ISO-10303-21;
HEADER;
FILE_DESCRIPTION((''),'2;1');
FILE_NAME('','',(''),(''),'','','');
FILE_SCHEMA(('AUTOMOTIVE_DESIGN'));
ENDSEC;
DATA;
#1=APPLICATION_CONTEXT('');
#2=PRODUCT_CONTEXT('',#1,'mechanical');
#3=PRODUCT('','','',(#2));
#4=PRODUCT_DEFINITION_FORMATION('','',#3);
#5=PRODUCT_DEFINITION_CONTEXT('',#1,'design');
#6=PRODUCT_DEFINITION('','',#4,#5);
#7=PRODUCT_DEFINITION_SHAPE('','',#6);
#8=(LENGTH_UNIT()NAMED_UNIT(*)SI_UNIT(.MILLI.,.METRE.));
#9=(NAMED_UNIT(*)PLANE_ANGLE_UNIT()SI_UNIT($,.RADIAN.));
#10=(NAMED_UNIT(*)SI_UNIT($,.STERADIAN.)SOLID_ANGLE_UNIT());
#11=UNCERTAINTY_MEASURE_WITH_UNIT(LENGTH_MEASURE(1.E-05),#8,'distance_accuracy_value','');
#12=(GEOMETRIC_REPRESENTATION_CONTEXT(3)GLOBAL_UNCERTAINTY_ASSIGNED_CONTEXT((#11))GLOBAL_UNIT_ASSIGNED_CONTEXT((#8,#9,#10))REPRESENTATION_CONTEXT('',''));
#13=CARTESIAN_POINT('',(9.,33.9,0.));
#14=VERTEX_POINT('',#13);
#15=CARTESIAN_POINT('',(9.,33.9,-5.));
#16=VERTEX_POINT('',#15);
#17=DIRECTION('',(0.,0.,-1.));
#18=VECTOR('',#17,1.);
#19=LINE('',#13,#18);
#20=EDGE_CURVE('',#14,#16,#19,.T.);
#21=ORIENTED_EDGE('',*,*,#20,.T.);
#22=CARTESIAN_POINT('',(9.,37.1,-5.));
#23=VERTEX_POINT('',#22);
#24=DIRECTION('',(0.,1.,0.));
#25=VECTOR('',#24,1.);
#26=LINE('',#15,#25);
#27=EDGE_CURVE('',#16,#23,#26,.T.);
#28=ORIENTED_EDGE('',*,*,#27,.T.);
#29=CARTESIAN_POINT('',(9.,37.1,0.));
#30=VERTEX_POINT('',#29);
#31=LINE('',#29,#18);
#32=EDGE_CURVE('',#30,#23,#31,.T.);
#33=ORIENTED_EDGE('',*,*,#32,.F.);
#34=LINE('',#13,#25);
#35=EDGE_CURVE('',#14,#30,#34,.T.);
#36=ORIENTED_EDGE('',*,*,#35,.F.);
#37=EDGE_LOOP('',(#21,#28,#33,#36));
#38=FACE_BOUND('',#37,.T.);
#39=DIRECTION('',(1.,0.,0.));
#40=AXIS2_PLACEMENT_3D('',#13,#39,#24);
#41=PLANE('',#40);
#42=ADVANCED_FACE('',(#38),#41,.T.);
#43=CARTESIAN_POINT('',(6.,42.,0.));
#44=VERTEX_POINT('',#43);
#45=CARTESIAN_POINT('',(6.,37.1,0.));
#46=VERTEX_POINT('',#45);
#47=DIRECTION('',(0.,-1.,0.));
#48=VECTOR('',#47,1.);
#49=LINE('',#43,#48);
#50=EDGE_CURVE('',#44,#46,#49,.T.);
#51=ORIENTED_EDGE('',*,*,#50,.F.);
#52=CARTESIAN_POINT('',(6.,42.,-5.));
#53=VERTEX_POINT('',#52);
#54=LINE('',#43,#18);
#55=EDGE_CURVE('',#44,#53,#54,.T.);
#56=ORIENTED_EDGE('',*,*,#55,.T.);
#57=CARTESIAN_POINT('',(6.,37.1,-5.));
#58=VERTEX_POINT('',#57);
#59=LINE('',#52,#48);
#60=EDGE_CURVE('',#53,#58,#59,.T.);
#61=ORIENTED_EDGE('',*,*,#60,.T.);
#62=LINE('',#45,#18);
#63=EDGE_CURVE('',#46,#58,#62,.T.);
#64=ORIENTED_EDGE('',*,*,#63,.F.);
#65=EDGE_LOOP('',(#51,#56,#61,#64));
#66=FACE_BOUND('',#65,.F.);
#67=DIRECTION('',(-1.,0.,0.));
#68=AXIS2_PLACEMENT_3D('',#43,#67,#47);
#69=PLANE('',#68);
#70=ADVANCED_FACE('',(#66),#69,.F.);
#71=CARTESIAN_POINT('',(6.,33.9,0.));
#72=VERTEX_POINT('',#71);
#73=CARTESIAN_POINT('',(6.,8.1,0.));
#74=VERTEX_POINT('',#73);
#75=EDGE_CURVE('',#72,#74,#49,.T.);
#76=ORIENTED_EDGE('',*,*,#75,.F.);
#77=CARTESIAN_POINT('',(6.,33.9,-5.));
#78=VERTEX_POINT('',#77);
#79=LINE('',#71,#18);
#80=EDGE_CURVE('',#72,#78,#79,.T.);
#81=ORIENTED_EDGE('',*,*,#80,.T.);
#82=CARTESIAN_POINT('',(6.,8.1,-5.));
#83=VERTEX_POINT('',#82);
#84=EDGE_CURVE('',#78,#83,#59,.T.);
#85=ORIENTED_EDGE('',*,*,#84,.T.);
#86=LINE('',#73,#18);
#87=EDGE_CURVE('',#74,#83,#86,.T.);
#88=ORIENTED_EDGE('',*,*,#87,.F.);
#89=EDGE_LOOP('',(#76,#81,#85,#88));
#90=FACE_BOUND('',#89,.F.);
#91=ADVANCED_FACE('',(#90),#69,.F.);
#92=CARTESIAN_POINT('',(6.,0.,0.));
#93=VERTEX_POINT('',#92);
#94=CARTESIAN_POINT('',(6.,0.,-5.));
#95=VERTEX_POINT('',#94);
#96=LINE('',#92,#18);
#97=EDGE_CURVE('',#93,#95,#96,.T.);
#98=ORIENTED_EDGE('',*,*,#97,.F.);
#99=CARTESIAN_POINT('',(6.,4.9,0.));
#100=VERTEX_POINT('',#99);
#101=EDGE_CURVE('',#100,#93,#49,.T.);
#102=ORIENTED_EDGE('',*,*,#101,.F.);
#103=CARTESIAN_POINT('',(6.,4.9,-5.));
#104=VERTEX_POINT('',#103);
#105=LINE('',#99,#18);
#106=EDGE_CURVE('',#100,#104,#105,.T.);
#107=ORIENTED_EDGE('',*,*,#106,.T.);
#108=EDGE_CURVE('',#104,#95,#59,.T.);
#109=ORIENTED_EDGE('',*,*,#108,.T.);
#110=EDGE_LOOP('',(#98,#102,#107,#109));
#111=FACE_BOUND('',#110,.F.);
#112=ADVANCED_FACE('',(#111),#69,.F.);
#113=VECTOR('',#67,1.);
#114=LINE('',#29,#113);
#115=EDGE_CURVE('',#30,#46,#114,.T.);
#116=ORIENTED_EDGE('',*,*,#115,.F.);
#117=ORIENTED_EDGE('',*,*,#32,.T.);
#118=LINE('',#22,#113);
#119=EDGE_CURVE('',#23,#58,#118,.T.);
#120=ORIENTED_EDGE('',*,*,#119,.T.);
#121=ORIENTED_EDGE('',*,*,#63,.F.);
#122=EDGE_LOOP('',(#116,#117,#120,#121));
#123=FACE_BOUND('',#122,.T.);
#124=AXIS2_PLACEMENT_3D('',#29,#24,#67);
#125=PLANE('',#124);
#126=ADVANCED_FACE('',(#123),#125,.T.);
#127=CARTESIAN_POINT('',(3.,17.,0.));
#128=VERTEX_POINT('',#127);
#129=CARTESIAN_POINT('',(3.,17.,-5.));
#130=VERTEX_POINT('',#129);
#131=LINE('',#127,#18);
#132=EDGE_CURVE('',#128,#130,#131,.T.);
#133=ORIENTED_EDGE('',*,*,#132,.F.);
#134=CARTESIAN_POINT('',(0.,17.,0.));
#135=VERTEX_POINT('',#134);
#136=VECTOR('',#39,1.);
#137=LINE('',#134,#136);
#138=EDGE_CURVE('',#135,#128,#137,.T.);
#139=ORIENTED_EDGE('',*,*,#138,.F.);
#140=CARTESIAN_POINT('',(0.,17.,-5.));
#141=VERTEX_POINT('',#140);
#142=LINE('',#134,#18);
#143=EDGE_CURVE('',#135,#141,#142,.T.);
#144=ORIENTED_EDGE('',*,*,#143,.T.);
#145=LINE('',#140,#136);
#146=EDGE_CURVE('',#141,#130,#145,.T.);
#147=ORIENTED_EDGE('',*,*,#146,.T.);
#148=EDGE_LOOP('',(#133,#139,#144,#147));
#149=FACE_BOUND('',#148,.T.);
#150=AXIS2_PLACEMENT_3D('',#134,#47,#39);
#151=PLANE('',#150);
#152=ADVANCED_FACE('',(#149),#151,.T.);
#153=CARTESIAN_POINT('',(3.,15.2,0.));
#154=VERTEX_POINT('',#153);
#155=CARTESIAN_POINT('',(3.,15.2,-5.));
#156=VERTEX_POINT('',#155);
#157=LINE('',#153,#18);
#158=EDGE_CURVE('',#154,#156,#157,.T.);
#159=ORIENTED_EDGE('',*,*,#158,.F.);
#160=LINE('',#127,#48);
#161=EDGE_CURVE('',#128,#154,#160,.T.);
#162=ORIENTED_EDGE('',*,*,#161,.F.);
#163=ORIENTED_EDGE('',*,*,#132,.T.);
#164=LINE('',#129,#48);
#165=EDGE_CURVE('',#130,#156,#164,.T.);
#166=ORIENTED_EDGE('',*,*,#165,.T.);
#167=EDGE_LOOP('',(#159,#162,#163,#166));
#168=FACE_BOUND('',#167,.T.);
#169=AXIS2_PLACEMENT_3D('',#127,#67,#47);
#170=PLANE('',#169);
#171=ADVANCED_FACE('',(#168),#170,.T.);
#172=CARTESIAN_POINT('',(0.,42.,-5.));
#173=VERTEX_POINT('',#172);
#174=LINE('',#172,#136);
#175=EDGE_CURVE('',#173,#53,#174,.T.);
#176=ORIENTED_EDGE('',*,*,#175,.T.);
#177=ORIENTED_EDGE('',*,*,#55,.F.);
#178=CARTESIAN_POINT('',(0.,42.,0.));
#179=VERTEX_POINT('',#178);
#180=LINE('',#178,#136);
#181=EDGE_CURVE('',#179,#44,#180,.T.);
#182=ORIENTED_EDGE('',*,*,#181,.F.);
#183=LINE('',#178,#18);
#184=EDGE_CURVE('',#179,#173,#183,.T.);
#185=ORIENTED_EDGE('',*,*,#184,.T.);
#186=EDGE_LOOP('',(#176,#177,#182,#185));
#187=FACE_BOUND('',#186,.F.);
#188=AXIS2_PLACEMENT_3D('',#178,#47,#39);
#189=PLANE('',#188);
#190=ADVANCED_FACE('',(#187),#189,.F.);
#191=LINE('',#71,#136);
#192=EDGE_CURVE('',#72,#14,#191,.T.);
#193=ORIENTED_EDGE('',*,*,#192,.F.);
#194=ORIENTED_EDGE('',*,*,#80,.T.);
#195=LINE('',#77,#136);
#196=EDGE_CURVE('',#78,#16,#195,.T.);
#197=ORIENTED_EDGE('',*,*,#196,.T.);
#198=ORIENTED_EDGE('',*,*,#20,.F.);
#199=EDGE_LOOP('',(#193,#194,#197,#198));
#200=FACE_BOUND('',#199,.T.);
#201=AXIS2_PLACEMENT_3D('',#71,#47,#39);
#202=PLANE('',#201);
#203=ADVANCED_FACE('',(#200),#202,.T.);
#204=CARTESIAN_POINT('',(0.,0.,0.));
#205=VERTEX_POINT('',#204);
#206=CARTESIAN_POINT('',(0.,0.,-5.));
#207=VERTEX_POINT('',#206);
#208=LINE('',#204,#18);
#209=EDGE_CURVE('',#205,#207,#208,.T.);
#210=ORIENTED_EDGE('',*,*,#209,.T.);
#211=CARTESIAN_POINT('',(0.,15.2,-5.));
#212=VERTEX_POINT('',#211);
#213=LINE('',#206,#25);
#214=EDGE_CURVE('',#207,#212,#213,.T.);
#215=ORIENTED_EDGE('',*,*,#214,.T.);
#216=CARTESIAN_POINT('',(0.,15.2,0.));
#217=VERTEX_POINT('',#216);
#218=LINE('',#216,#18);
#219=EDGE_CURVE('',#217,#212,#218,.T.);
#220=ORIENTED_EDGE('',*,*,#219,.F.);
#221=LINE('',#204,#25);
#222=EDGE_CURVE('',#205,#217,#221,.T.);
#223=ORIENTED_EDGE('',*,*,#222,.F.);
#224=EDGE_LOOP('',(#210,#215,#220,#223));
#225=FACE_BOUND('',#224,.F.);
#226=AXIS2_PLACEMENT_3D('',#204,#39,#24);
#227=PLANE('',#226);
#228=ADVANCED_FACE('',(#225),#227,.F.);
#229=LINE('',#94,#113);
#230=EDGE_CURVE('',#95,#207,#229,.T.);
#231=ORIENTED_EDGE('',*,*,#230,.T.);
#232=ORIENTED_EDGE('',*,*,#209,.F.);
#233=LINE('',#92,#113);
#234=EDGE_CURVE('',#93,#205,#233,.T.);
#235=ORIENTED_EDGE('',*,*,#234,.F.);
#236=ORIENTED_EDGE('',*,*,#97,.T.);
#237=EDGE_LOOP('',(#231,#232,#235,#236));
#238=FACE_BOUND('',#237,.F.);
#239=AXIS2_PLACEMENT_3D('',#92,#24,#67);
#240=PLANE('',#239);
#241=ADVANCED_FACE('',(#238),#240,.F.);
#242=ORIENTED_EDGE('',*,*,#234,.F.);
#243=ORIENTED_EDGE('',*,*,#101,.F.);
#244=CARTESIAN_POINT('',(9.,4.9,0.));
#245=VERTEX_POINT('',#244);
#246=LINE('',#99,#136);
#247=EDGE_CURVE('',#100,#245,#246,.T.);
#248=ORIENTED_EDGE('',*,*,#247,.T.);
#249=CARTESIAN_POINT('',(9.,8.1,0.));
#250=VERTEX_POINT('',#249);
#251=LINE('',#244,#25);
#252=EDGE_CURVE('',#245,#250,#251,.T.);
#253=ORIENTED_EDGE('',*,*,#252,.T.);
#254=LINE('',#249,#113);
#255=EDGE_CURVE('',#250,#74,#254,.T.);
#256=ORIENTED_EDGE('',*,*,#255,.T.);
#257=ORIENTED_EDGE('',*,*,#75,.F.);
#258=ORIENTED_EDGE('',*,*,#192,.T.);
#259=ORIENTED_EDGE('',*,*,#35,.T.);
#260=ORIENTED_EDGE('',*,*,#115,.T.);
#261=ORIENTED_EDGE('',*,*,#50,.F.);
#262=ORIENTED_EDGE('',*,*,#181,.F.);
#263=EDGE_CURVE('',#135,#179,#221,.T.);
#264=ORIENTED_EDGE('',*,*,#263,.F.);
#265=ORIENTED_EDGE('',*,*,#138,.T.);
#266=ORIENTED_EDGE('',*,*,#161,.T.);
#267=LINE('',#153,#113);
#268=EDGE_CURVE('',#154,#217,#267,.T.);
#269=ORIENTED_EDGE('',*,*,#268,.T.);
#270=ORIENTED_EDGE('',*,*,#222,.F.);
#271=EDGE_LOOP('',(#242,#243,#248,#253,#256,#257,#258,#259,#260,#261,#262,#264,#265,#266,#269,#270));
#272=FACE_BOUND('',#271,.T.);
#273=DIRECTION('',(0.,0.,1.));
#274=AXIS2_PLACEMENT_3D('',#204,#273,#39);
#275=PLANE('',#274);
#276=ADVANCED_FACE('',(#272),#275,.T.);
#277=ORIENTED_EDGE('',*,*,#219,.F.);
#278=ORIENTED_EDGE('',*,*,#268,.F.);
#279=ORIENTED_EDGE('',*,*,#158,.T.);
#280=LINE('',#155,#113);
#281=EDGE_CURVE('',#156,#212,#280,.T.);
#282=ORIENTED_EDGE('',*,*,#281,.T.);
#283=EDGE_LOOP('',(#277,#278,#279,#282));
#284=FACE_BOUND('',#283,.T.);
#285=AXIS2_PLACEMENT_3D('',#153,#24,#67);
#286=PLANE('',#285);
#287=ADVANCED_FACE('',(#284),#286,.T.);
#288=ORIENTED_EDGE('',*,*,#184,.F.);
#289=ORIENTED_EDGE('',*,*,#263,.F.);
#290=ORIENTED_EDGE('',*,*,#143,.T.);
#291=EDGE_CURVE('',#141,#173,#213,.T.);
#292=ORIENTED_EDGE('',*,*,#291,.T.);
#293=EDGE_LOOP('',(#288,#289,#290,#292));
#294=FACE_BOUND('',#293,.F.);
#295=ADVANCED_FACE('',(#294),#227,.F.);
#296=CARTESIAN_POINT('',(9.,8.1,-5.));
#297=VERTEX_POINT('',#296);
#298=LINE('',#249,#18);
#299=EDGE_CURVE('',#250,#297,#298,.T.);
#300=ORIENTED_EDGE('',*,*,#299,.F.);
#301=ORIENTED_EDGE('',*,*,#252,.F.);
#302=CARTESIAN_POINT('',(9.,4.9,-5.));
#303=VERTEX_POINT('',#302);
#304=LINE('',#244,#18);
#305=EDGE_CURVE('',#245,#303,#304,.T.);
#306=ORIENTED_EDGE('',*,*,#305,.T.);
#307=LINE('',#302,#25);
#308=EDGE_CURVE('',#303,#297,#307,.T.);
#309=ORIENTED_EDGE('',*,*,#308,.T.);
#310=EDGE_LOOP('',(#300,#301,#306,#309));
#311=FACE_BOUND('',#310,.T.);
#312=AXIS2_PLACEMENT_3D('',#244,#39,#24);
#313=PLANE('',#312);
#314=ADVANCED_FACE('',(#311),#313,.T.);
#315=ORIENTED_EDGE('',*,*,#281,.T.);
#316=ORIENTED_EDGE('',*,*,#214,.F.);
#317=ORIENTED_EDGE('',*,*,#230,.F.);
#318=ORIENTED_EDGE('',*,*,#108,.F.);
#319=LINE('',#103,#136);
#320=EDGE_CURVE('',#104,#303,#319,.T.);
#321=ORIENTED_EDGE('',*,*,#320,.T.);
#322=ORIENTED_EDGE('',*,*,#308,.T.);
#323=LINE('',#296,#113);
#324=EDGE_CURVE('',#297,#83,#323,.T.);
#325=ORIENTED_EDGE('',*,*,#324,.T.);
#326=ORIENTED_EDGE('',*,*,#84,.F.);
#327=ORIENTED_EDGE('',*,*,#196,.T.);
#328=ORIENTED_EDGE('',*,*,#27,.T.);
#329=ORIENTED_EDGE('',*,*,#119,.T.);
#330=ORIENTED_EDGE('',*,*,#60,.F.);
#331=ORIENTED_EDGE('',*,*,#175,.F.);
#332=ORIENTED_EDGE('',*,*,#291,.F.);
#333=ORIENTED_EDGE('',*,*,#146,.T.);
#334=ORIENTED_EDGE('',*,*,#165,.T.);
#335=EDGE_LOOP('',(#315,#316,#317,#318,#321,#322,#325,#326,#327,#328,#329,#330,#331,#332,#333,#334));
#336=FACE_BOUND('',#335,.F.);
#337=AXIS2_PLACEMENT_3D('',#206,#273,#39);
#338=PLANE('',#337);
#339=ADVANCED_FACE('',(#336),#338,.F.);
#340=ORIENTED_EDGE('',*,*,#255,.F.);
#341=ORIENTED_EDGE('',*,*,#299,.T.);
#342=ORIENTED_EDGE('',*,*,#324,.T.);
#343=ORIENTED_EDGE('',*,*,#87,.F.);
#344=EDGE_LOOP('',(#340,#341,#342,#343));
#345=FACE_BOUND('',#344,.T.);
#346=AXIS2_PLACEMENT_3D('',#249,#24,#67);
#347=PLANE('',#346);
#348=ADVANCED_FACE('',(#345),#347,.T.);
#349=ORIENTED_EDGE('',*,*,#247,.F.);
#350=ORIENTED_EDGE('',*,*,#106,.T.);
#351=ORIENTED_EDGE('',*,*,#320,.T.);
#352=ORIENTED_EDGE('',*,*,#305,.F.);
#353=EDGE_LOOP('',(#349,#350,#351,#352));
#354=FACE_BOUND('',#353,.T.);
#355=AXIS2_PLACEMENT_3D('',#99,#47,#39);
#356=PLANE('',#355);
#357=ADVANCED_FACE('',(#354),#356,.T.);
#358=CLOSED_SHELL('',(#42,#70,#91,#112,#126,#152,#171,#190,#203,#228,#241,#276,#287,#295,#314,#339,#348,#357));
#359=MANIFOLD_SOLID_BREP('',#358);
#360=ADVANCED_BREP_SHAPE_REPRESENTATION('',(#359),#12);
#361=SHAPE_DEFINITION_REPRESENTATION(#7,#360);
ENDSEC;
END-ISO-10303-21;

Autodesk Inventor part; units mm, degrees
ref_plane "YZ Plane" through (0, 0, 0) normal (1, 0, 0) x (0, 1, 0)
ref_plane "XZ Plane" through (0, 0, 0) normal (0, 1, 0) x (-1, 0, 0)
ref_plane "XY Plane" through (0, 0, 0) normal (0, 0, 1) x (1, 0, 0)
sketch "Sketch1" plane through (0, 0, 0) normal (0, 0, 1) x (1, 0, 0)
  line L0 (0, 42) -> (6, 42)
  line L1 (6, 42) -> (6, 0)
  line L2 (6, 0) -> (0, 0)
  line L3 (0, 0) -> (0, 42)
  dimension "d0" = 6
  dimension "d1" = 42
extrude "Extrusion1" add sketch "Sketch1" against normal blind 5
sketch "Sketch4" plane through (0, 0, 0) normal (0, 0, 1) x (1, 0, 0)
  line L0 (0, 0) -> (0, 42) projected
  line L1 (0, 17) -> (3, 17)
  line L2 (3, 17) -> (3, 15.2)
  line L3 (3, 15.2) -> (0, 15.2)
  line L4 (0, 15.2) -> (0, 17)
  line L5 (6, 0) -> (0, 0) projected
  point P0 (0, 45)
  dimension "d12" = 1.8
  dimension "d13" = 3
  dimension "d18" = 17
extrude "Extrusion4" cut sketch "Sketch4" against normal blind 5
sketch "Sketch5" plane through (0, 0, 0) normal (0, 0, 1) x (1, 0, 0)
  line L0 (6, 42) -> (6, 0) projected
  line L1 (6, 0) -> (0, 0) projected
  line L2 (0, 42) -> (6, 42) projected
  line L3 (6, 42) -> (6, 0) projected
  line L4 (9, 8.1) -> (6, 8.1)
  line L5 (6, 8.1) -> (6, 4.9)
  line L6 (6, 4.9) -> (9, 4.9)
  line L7 (9, 4.9) -> (9, 8.1)
  line L8 (9, 8.1) -> (6, 4.9) construction
  line L9 (6, 8.1) -> (9, 4.9) construction
  line L10 (9, 37.1) -> (6, 37.1)
  line L11 (6, 37.1) -> (6, 33.9)
  line L12 (6, 33.9) -> (9, 33.9)
  line L13 (9, 33.9) -> (9, 37.1)
  line L14 (9, 37.1) -> (6, 33.9) construction
  line L15 (6, 37.1) -> (9, 33.9) construction
  line L16 (0, 42) -> (6, 0) construction
  line L17 (0, 0) -> (6, 42) construction
  point P0 (7.5, 6.5)
  point P1 (7.5, 35.5)
  point P2 (3, 21)
  dimension "d31" = 3
  dimension "d32" = 3.2
  dimension "d34" = 14.5
  dimension "d35" = 14.5
  dimension "d36" = 3.2
extrude "Extrusion5" add sketch "Sketch5" against normal blind 5
equation "\"d35\" = d34"
equation "\"d36\" = d32"
equation "\"kerf\" = 0.15"
properties part number "PCBSupport"
